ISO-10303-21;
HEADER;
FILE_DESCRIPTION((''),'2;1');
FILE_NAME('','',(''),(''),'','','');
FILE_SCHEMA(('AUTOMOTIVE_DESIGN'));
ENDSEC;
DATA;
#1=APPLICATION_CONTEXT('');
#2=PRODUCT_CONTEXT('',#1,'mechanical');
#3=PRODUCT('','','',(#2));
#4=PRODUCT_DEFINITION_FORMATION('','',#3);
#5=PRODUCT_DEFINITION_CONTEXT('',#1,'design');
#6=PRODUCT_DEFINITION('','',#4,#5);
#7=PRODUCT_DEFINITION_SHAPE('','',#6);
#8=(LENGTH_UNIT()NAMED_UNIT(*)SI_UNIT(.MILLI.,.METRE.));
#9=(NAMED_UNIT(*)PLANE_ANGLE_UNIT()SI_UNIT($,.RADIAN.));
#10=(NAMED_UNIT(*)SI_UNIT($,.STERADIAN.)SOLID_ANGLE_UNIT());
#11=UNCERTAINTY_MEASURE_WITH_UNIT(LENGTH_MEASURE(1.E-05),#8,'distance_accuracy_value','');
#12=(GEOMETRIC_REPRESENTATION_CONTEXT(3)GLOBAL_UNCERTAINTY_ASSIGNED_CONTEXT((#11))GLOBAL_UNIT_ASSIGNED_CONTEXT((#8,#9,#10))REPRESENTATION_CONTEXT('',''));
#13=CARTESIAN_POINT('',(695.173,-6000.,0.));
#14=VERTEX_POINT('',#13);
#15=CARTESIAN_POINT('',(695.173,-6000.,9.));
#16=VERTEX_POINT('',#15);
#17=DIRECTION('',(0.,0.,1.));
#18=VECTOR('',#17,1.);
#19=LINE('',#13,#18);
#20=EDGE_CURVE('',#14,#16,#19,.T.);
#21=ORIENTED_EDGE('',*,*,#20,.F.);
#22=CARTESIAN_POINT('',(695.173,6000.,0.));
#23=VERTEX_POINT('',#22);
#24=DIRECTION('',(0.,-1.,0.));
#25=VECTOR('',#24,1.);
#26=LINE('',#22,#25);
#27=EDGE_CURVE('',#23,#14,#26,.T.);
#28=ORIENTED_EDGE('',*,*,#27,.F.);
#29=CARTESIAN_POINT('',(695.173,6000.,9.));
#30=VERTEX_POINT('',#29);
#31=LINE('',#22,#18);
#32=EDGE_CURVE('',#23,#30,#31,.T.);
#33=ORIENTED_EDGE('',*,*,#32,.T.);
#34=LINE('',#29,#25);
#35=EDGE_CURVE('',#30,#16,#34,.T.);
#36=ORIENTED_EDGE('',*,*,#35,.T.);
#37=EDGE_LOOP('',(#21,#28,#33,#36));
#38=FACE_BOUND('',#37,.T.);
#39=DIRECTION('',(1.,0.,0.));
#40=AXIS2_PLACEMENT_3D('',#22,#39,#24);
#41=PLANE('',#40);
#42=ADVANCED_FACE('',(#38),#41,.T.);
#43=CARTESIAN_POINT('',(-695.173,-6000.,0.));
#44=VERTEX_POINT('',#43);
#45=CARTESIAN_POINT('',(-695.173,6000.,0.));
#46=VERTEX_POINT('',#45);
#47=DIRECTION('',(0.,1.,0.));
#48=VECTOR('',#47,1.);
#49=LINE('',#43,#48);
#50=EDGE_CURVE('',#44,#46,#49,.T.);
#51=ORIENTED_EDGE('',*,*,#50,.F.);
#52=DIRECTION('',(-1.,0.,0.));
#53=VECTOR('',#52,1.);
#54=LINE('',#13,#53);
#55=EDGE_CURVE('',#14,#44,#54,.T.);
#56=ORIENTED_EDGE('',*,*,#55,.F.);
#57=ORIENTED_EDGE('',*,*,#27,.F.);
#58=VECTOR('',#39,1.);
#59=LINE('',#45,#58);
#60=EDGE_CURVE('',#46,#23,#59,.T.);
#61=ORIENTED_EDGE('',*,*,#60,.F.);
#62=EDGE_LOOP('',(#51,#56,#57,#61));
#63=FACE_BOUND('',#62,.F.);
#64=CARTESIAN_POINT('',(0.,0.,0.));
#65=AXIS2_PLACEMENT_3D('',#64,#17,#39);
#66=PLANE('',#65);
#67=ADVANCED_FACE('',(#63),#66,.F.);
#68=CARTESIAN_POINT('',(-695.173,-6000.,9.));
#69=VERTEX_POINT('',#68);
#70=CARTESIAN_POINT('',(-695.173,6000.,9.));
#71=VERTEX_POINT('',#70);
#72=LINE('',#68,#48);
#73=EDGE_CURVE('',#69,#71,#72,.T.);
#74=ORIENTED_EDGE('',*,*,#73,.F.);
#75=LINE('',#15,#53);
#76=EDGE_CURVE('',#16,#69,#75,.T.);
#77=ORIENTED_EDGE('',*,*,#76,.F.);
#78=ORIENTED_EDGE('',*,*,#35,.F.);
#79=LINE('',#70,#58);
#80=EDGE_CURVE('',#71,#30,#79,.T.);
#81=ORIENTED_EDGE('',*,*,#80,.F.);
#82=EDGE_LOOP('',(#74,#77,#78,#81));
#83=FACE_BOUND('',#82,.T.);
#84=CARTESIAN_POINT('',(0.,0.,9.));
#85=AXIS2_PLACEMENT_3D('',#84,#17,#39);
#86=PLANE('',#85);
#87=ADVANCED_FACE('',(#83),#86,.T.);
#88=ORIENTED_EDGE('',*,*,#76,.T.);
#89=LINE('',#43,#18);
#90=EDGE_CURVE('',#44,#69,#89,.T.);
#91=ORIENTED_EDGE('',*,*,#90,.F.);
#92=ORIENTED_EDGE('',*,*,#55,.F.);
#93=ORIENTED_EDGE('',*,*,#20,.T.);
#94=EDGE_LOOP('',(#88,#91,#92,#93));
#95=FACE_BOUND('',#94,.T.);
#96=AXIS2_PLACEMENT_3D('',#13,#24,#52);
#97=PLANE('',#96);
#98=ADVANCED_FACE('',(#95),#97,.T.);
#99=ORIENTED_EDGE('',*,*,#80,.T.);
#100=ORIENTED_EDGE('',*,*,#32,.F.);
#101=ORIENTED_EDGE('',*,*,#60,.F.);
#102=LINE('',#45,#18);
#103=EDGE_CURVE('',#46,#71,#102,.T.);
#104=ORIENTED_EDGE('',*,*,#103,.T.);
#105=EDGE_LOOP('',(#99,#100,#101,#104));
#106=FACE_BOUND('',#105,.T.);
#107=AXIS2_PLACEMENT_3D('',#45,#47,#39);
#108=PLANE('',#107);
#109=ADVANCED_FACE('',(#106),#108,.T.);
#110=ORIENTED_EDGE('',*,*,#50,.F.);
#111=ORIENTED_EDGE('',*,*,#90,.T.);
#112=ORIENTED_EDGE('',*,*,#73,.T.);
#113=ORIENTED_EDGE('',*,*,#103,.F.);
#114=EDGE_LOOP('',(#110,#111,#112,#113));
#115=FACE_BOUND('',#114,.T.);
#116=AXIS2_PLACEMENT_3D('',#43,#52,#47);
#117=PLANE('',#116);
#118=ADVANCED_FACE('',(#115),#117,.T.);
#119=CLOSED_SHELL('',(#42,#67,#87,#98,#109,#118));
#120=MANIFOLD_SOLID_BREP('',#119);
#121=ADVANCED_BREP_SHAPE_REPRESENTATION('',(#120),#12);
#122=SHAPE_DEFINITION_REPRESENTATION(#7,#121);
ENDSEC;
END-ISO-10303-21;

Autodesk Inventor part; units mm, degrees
ref_plane "YZ Plane" through (0, 0, 0) normal (1, 0, 0) x (0, 1, 0)
ref_plane "XZ Plane" through (0, 0, 0) normal (0, 1, 0) x (-1, 0, 0)
ref_plane "XY Plane" through (0, 0, 0) normal (0, 0, 1) x (1, 0, 0)
sketch "Sketch1" plane through (0, 0, 0) normal (0, 0, 1) x (1, 0, 0)
  line L0 (-695.173, 6000) -> (695.173, 6000)
  line L1 (695.173, 6000) -> (695.173, -6000)
  line L2 (695.173, -6000) -> (-695.173, -6000)
  line L3 (-695.173, -6000) -> (-695.173, 6000)
  line L4 (-695.173, 6000) -> (695.173, -6000) construction
  line L5 (695.173, 6000) -> (-695.173, -6000) construction
  point P0 (0, 0)
  dimension "d0" = 1390.346
  dimension "d1" = 12000
extrude "Extrusion1" add sketch "Sketch1" along normal blind 9
properties part number "StarBackdropPanel"
